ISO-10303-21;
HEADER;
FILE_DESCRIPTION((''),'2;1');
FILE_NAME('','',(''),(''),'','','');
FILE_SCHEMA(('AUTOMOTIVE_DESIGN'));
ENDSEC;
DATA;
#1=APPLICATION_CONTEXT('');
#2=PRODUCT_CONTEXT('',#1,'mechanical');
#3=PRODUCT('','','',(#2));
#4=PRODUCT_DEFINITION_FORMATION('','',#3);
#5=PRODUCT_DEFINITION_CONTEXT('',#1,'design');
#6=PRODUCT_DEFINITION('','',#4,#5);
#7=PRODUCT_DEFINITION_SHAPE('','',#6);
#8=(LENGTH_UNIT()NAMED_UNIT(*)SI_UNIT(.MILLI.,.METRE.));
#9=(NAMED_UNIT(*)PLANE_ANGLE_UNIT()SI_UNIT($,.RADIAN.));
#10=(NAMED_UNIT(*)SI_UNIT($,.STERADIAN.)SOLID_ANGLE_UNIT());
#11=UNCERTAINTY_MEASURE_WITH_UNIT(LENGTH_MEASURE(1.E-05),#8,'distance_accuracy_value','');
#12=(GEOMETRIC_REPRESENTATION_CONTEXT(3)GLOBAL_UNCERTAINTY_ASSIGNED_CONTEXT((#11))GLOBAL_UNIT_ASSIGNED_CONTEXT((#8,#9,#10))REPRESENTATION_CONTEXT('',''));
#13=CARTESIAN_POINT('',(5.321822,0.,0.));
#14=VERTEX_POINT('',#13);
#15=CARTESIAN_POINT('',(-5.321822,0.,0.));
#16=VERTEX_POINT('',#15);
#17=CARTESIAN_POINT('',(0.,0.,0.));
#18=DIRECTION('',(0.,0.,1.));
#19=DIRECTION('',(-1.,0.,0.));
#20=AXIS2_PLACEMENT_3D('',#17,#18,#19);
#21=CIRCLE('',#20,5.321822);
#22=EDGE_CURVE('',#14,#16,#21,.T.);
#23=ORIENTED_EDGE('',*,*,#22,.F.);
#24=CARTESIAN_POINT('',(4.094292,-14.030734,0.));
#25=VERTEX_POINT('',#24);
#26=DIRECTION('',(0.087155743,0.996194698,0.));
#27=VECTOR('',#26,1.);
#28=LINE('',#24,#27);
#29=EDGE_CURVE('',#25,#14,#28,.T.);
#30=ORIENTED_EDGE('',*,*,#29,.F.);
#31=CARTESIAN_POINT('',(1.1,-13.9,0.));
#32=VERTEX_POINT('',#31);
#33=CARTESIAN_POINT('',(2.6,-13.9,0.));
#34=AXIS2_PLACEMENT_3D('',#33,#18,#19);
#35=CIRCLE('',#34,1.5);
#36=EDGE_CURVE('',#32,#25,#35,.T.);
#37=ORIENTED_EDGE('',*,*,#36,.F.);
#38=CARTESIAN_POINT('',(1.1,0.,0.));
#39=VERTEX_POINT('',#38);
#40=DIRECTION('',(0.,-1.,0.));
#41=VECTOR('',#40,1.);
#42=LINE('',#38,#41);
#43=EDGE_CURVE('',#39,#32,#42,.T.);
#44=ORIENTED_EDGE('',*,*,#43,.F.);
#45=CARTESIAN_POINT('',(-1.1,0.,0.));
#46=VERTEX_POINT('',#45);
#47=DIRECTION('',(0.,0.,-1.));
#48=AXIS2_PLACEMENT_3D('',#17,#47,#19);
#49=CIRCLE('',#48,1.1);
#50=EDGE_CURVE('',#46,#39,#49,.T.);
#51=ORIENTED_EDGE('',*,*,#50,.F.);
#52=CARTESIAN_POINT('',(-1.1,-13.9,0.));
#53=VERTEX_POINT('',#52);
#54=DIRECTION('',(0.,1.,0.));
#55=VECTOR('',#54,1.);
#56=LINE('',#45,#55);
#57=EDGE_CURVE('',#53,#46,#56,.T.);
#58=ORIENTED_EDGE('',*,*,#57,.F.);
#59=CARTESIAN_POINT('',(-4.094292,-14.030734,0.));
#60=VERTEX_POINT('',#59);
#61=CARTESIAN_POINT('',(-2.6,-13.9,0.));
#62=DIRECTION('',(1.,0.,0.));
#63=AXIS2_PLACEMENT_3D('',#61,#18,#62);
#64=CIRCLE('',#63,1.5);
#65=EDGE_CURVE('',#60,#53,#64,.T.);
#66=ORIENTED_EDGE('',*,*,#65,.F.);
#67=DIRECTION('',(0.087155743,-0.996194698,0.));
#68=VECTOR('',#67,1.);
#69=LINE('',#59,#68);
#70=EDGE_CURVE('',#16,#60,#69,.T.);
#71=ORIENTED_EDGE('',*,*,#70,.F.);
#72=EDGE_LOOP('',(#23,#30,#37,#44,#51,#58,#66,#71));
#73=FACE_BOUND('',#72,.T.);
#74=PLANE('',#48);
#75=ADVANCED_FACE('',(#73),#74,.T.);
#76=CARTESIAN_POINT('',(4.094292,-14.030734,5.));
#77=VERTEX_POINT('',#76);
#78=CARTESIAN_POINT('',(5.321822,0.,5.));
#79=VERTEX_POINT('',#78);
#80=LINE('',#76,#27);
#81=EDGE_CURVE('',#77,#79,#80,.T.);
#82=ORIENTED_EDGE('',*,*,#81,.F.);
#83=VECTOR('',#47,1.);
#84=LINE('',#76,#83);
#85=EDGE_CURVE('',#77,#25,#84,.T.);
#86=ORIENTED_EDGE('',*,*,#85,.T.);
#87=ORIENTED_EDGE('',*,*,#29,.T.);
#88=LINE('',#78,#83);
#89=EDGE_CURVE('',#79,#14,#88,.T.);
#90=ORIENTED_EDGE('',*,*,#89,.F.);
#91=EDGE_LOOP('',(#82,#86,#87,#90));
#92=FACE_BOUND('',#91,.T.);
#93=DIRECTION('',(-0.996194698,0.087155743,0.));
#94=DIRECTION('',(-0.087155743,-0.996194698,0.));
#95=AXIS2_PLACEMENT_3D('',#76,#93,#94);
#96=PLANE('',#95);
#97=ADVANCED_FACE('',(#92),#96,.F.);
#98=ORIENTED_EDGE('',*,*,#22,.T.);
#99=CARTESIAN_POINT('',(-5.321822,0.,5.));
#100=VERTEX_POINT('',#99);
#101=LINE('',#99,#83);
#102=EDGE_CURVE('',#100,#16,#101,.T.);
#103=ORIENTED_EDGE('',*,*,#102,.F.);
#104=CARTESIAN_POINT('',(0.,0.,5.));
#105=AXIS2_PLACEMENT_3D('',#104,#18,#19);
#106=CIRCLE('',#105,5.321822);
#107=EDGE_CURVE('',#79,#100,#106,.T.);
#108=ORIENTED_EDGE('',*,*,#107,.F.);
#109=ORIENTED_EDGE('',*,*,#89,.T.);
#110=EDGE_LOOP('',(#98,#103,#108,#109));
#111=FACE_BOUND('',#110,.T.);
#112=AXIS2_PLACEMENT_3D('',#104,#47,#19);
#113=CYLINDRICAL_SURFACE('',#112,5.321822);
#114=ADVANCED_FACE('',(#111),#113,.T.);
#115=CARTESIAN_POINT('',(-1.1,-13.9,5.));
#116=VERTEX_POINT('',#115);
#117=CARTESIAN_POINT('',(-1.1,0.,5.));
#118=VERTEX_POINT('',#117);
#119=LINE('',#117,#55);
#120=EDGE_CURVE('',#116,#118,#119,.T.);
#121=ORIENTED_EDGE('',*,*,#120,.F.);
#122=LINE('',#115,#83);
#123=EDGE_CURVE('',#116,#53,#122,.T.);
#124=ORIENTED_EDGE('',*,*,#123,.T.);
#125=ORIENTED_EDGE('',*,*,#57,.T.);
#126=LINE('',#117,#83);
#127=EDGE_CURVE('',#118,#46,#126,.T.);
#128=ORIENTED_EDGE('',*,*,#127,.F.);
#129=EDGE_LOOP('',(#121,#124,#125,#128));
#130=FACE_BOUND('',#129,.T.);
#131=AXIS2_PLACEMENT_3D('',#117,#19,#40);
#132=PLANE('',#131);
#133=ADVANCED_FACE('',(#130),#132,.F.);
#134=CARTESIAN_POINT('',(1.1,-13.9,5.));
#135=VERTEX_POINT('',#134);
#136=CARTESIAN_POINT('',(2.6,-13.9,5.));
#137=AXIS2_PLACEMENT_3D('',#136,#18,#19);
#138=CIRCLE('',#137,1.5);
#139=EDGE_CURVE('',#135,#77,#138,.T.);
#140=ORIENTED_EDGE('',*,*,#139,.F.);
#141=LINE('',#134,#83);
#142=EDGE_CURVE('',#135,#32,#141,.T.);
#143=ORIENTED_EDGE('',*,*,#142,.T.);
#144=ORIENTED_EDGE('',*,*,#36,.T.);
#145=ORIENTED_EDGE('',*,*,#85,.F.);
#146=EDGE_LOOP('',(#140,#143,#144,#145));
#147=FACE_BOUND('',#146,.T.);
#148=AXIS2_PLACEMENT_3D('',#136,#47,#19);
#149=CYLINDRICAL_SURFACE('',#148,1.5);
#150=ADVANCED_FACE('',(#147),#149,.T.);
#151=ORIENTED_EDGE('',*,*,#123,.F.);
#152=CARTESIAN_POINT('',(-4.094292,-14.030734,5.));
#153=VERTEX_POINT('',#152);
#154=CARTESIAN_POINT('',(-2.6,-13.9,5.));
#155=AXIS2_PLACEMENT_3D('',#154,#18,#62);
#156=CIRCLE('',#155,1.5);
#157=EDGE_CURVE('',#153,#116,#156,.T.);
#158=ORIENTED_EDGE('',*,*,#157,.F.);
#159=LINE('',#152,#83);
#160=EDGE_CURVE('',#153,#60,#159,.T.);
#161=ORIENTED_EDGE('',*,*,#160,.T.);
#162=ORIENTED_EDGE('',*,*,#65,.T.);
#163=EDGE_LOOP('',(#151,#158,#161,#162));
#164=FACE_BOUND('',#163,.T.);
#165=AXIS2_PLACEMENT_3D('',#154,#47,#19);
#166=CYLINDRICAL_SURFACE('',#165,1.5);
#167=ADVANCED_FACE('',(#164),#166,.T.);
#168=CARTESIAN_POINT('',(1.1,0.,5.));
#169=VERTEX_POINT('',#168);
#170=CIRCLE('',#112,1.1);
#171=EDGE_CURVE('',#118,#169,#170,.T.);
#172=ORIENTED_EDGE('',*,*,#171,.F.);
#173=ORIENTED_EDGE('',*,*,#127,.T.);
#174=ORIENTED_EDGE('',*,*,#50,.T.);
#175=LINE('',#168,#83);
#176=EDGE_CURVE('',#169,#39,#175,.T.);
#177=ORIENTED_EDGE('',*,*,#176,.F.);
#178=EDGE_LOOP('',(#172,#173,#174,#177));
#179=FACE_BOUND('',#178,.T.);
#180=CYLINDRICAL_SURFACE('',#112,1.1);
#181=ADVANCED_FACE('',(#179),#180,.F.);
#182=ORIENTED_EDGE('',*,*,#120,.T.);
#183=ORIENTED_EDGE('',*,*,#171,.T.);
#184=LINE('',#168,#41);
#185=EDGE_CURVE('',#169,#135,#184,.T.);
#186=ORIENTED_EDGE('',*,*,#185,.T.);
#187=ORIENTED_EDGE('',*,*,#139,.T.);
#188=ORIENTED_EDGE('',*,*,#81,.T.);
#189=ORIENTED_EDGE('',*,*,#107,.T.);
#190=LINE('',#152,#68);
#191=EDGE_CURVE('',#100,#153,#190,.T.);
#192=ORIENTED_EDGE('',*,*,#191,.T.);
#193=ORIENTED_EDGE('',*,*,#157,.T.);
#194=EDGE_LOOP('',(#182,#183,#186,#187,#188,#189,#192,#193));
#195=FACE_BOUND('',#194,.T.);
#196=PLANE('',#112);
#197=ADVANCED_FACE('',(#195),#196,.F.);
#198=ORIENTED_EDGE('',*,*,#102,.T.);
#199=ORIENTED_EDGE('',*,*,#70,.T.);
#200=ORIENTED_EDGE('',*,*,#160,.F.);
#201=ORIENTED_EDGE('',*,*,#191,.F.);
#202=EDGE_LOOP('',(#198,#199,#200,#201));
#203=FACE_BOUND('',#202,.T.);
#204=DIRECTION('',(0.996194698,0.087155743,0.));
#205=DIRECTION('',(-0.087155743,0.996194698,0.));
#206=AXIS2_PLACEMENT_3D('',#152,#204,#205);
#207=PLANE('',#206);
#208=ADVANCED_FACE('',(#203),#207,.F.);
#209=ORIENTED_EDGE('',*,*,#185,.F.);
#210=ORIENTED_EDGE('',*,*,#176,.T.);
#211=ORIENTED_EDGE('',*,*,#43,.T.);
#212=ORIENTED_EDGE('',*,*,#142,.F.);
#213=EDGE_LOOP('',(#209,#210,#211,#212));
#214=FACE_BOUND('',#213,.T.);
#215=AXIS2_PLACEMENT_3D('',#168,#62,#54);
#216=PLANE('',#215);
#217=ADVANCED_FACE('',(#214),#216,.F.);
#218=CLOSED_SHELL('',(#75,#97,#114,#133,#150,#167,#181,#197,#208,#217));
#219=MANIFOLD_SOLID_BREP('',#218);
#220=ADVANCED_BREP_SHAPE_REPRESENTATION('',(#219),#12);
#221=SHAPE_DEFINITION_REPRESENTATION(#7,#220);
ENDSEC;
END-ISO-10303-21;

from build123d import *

# Parameters (mm, degrees)
BOSS_EXTRUDE1_DEPTH = 5


with BuildPart() as part:
    # Sketch1 → Boss-Extrude1 (new body)
    with BuildSketch(Plane.XY):
        with BuildLine():
            Line((-1.1, 0), (-1.1, -13.9))
            ThreePointArc((-1.1, -13.9), (-2.534570919, -15.398572332), (-4.094292047, -14.030733614))
            Line((-4.094292047, -14.030733614), (-5.321822179, 0))
            ThreePointArc((-5.321822179, 0), (0, 5.321822179), (5.321822179, 0))
            Line((5.321822179, 0), (4.094292047, -14.030733614))
            ThreePointArc((4.094292047, -14.030733614), (2.534570919, -15.398572332), (1.1, -13.9))
            Line((1.1, -13.9), (1.1, 0))
            ThreePointArc((1.1, 0), (0, 1.1), (-1.1, 0))
        make_face()
    extrude(amount=BOSS_EXTRUDE1_DEPTH)


solid = part.part
